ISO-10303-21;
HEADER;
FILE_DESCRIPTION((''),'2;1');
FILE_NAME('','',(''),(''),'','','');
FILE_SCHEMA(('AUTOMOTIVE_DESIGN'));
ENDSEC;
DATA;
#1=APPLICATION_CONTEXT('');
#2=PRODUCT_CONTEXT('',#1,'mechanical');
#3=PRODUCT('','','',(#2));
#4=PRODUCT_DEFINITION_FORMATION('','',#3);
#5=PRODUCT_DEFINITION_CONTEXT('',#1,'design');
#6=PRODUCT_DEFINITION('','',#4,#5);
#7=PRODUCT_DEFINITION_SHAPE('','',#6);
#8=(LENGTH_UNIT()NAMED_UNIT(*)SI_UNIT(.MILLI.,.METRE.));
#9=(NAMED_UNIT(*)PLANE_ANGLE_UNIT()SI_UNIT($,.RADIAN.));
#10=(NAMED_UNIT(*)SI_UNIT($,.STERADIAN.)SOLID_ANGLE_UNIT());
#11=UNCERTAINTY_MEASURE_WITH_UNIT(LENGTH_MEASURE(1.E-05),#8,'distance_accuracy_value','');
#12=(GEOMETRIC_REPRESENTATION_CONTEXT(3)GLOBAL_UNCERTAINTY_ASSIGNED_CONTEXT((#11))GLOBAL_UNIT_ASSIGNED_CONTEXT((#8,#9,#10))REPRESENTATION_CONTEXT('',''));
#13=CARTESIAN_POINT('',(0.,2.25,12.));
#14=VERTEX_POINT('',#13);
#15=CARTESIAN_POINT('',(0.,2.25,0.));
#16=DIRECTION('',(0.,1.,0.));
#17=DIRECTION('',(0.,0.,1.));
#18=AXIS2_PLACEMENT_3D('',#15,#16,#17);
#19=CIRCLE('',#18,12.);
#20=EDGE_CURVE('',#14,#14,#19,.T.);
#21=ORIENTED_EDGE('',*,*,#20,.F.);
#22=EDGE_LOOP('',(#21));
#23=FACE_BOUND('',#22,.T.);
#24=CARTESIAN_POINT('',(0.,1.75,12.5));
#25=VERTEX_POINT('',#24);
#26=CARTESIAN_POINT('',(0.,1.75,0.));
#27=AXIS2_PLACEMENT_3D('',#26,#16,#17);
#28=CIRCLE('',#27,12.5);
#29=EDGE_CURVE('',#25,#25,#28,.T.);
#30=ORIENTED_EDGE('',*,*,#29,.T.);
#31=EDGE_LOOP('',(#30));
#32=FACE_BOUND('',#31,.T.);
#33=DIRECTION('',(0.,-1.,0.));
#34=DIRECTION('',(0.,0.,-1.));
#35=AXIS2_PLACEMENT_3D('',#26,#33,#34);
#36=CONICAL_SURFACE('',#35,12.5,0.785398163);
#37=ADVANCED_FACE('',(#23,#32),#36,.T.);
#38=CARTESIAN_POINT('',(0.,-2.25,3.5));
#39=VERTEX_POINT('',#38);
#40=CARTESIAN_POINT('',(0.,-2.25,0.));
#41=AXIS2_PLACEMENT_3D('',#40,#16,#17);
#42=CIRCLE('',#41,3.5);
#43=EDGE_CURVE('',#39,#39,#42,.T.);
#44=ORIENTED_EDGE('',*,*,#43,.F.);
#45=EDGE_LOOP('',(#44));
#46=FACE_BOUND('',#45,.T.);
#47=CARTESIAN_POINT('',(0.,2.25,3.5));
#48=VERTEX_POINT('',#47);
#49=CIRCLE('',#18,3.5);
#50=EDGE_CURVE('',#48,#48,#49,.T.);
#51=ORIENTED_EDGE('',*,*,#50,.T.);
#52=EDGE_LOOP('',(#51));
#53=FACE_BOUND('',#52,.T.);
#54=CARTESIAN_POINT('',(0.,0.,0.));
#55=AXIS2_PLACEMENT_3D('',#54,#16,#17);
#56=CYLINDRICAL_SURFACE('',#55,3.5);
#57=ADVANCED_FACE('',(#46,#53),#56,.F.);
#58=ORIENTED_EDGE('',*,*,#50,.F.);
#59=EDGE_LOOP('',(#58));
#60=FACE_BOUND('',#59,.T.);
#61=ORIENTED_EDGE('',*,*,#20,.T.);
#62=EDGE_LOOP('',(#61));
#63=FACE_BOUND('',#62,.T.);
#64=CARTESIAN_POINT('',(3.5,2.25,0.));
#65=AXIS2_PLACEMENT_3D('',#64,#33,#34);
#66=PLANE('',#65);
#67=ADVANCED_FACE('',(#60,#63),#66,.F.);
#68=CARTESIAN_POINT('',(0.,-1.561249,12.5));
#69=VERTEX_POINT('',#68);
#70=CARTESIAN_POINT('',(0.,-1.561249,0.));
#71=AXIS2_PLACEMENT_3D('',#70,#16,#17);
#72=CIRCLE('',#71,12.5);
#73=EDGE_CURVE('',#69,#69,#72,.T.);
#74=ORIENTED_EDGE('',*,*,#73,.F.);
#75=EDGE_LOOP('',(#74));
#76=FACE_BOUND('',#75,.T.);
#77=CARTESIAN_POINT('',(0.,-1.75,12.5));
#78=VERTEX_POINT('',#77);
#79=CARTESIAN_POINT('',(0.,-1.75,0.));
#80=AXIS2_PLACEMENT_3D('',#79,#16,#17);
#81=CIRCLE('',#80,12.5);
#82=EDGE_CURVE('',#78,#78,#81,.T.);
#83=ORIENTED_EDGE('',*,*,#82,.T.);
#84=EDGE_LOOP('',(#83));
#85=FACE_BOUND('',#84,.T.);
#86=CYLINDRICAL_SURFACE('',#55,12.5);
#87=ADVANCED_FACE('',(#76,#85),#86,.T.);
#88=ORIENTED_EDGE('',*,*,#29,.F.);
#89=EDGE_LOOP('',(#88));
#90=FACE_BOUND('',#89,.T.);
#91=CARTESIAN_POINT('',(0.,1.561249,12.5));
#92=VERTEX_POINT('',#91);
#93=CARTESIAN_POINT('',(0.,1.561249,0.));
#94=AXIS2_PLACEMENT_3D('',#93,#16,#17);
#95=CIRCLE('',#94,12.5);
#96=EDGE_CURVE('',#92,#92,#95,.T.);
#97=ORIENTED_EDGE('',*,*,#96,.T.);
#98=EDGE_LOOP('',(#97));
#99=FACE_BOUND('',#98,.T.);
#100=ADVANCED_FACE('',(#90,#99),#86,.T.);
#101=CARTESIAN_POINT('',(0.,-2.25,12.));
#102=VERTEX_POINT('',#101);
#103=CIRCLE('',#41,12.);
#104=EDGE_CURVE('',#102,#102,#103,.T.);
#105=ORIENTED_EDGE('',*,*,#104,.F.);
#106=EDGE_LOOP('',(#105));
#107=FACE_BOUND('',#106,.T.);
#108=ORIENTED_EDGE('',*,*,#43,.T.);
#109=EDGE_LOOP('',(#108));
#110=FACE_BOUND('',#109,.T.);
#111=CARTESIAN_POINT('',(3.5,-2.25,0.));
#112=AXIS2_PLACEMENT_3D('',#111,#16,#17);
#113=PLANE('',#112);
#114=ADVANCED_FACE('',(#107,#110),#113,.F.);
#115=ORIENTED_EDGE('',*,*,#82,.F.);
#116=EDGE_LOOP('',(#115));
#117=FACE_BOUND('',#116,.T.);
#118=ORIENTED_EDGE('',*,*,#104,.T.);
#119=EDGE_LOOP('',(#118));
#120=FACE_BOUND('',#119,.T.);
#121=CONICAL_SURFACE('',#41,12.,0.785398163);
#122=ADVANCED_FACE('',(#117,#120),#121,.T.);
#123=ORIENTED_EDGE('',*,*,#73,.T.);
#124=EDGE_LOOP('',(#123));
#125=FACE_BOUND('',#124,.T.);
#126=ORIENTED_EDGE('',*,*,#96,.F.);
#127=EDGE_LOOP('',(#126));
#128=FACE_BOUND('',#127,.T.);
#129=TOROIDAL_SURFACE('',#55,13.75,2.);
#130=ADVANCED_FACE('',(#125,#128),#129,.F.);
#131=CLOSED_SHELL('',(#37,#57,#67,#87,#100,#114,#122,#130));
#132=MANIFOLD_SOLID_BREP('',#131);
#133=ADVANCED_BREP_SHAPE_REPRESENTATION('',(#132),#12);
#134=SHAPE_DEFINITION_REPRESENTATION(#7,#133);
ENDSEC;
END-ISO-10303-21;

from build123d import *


with BuildPart() as part:
    # Sketch2 → Revolve2 (revolve)
    with BuildSketch(Plane.XY, mode=Mode.PRIVATE) as revolve2_sk:
        with BuildLine():
            Line((3.5, 2.25), (3.5, -2.25))
            Line((3.5, -2.25), (12, -2.25))
            Line((12, -2.25), (12.5, -1.75))
            Line((12.5, -1.75), (12.5, -1.5612495))
            ThreePointArc((12.5, -1.5612495), (11.75, 0), (12.5, 1.5612495))
            Line((12.5, 1.5612495), (12.5, 1.75))
            Line((12.5, 1.75), (12, 2.25))
            Line((12, 2.25), (3.5, 2.25))
        make_face()
    revolve(revolve2_sk.sketch.rotate(Axis((0, 0, 0), (0, -1, 0)), 90), axis=Axis((0, 0, 0), (0, -1, 0)))


solid = part.part
